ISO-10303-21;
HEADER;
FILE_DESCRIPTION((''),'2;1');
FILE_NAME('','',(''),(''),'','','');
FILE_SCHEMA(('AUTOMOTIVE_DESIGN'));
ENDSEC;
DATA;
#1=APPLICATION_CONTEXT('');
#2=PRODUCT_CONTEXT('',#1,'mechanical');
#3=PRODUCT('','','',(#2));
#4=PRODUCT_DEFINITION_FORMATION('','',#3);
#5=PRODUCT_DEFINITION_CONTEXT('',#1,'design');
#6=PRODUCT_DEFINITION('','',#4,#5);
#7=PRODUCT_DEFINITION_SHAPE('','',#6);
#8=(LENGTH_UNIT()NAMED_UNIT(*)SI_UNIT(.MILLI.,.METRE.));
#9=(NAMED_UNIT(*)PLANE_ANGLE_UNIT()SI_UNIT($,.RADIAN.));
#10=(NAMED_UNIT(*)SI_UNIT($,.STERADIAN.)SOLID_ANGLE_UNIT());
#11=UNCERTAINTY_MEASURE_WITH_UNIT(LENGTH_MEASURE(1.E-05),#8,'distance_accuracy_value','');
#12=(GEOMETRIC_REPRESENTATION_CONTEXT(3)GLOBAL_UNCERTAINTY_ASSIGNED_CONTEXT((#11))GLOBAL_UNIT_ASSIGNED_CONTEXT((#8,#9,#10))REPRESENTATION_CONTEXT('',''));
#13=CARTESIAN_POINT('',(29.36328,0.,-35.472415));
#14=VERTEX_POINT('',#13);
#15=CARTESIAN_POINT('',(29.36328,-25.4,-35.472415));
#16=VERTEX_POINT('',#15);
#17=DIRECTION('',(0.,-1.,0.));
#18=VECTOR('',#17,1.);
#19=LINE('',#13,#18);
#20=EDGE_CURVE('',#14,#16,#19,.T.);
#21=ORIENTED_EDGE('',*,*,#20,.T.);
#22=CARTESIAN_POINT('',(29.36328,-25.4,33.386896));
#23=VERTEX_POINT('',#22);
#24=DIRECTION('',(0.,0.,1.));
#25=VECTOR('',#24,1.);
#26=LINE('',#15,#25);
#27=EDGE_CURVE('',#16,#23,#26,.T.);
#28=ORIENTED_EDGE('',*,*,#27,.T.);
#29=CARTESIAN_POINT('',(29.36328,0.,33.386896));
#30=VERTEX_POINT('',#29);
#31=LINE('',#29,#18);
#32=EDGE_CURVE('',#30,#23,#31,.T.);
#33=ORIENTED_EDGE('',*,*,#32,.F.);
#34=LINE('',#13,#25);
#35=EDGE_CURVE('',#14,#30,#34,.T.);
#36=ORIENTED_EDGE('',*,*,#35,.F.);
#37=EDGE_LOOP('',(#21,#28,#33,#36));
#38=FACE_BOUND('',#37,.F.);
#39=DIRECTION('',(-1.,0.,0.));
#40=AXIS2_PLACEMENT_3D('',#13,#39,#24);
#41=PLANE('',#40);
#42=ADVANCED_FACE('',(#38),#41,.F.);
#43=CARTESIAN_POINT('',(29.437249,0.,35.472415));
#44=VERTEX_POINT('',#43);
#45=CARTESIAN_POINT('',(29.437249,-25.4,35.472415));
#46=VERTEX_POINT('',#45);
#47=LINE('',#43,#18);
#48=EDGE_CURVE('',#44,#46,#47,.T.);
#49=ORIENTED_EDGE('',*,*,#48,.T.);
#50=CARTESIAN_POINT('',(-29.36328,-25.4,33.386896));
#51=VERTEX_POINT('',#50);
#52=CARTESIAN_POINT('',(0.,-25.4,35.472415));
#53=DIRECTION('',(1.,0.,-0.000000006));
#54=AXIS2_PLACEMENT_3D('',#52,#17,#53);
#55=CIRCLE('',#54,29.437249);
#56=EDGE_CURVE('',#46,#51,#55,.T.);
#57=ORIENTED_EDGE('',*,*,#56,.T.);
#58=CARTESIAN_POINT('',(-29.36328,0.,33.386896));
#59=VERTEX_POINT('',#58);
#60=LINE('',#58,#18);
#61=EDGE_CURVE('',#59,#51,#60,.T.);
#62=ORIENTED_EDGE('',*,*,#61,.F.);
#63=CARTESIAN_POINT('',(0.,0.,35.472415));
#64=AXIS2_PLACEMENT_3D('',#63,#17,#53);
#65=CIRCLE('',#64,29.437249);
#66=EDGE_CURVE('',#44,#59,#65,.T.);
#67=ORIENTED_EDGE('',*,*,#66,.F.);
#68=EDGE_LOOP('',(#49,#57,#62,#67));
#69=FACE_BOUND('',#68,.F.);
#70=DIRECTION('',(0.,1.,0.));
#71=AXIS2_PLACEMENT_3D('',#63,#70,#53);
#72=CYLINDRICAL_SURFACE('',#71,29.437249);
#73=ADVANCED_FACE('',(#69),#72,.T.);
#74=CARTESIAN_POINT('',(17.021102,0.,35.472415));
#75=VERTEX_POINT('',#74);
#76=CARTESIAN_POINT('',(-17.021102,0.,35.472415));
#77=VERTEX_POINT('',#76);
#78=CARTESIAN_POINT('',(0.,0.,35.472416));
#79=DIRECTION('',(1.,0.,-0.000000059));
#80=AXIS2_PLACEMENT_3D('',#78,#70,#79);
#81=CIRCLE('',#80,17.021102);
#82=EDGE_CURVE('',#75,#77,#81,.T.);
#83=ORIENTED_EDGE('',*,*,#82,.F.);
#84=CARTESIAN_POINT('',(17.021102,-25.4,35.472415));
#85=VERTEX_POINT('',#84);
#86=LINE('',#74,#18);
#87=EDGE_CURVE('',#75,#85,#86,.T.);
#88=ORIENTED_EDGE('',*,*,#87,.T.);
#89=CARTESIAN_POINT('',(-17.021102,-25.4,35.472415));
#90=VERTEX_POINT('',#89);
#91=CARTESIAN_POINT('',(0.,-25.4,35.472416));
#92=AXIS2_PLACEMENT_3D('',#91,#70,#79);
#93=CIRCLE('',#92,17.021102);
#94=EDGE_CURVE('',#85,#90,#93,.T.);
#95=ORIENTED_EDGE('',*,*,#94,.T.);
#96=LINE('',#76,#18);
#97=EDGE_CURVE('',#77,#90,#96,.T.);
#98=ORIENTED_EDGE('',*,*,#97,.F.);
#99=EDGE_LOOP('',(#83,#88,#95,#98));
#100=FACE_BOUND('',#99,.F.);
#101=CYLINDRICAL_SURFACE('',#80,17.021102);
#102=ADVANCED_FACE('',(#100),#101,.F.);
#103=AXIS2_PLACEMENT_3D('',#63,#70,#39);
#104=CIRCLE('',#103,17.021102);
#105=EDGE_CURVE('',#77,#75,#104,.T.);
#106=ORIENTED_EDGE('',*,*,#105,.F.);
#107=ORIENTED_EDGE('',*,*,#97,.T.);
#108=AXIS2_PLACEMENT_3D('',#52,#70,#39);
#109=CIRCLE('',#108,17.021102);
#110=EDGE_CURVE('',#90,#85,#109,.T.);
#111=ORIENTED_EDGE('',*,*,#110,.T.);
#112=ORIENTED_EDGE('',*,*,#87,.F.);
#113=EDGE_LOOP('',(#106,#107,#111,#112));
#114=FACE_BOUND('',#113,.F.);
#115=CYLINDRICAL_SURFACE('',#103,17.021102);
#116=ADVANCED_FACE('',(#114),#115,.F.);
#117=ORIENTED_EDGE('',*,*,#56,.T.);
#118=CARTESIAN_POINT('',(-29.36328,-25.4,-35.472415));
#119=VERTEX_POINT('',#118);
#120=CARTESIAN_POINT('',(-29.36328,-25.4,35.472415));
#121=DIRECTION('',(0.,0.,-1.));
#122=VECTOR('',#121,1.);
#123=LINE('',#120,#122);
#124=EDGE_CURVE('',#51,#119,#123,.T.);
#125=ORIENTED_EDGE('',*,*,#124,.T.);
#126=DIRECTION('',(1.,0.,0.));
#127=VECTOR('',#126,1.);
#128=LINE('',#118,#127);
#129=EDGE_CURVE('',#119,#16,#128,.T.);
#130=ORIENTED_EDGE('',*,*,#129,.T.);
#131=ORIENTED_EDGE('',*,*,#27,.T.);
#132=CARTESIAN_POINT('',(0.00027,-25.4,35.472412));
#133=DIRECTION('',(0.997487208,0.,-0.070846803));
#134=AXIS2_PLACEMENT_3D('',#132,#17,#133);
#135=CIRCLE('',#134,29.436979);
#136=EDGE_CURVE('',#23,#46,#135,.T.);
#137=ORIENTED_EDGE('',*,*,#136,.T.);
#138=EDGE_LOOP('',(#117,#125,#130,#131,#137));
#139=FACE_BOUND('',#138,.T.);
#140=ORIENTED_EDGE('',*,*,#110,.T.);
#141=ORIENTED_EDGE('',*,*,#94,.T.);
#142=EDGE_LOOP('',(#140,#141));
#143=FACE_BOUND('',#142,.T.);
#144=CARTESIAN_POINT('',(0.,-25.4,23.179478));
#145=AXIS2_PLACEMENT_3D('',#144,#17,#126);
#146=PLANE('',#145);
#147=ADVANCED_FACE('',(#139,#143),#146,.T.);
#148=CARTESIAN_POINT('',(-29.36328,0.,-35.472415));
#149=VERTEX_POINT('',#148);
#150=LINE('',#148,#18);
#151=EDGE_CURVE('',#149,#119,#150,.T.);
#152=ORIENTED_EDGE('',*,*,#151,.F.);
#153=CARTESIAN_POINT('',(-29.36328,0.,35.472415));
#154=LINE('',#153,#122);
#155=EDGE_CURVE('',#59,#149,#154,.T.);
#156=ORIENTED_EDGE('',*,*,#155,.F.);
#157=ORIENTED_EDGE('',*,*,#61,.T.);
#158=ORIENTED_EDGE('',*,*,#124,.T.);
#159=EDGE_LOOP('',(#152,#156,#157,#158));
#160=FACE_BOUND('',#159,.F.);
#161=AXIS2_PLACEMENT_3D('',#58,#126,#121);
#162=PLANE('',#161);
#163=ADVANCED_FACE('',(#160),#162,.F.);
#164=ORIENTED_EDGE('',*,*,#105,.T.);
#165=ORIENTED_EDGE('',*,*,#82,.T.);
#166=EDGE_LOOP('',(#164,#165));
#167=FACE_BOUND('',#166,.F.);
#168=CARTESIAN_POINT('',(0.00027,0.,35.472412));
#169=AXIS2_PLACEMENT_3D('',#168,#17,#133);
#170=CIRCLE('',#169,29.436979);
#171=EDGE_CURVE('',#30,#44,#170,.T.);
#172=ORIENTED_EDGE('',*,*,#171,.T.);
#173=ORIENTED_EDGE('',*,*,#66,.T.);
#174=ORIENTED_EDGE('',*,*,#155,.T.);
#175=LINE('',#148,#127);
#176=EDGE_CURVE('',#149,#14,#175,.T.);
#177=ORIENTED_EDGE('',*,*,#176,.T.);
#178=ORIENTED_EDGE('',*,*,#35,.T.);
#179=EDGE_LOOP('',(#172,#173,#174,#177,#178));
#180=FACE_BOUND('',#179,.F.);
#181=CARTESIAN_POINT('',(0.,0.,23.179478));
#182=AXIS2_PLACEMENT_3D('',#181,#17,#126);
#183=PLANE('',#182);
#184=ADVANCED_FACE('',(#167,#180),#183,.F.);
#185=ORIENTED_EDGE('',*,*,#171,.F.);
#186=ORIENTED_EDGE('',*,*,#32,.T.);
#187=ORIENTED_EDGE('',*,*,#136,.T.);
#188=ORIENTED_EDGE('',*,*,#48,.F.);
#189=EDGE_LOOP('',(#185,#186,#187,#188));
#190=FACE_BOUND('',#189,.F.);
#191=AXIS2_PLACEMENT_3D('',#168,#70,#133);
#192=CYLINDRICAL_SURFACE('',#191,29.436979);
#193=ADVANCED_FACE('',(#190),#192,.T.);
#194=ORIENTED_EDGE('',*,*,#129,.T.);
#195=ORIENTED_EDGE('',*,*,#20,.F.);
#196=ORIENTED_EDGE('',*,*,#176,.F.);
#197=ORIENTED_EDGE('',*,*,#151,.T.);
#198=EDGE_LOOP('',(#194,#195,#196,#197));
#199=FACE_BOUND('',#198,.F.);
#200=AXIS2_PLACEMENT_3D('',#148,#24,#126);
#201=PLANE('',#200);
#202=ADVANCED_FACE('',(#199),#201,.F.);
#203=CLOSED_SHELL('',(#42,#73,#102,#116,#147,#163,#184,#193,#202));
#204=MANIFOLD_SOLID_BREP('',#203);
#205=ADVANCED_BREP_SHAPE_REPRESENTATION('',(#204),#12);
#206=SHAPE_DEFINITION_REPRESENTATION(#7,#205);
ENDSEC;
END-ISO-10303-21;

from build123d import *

# Parameters (mm, degrees)
F1_DEPTH = 25.4


with BuildPart() as f1:
    # F0 (on Front) → F1 (new body)
    with BuildSketch(Plane.XZ):
        with BuildLine():
            ThreePointArc((-29.36328, 33.386896), (0, 6.035167), (29.36328, 33.386896))
            Line((29.36328, 33.386896), (29.36328, 35.472415))
            Line((29.36328, 35.472415), (17.021102, 35.472415))
            ThreePointArc((17.021102, 35.472415), (0, 18.451314), (-17.021102, 35.472415))
            Line((-17.021102, 35.472415), (-29.36328, 35.472415))
            Line((-29.36328, 35.472415), (-29.36328, 33.386896))
        make_face()
        with BuildLine():
            Line((-29.36328, -35.472415), (29.36328, -35.472415))
            Line((29.36328, -35.472415), (29.36328, 33.386896))
            ThreePointArc((29.36328, 33.386896), (0, 6.035167), (-29.36328, 33.386896))
            Line((-29.36328, 33.386896), (-29.36328, -35.472415))
        make_face()
        with BuildLine():
            Line((29.36328, 35.472415), (29.36328, 33.386896))
            ThreePointArc((29.36328, 33.386896), (29.418751, 34.429), (29.437249, 35.472415))
            ThreePointArc((29.437249, 35.472415), (-1.043415, 64.891166), (-29.36328, 33.386896))
            Line((-29.36328, 33.386896), (-29.36328, 35.472415))
            Line((-29.36328, 35.472415), (-17.021102, 35.472415))
            ThreePointArc((-17.021102, 35.472415), (0, 52.493517), (17.021102, 35.472415))
            Line((17.021102, 35.472415), (29.36328, 35.472415))
        make_face()
    extrude(amount=F1_DEPTH)


solid = f1.part
